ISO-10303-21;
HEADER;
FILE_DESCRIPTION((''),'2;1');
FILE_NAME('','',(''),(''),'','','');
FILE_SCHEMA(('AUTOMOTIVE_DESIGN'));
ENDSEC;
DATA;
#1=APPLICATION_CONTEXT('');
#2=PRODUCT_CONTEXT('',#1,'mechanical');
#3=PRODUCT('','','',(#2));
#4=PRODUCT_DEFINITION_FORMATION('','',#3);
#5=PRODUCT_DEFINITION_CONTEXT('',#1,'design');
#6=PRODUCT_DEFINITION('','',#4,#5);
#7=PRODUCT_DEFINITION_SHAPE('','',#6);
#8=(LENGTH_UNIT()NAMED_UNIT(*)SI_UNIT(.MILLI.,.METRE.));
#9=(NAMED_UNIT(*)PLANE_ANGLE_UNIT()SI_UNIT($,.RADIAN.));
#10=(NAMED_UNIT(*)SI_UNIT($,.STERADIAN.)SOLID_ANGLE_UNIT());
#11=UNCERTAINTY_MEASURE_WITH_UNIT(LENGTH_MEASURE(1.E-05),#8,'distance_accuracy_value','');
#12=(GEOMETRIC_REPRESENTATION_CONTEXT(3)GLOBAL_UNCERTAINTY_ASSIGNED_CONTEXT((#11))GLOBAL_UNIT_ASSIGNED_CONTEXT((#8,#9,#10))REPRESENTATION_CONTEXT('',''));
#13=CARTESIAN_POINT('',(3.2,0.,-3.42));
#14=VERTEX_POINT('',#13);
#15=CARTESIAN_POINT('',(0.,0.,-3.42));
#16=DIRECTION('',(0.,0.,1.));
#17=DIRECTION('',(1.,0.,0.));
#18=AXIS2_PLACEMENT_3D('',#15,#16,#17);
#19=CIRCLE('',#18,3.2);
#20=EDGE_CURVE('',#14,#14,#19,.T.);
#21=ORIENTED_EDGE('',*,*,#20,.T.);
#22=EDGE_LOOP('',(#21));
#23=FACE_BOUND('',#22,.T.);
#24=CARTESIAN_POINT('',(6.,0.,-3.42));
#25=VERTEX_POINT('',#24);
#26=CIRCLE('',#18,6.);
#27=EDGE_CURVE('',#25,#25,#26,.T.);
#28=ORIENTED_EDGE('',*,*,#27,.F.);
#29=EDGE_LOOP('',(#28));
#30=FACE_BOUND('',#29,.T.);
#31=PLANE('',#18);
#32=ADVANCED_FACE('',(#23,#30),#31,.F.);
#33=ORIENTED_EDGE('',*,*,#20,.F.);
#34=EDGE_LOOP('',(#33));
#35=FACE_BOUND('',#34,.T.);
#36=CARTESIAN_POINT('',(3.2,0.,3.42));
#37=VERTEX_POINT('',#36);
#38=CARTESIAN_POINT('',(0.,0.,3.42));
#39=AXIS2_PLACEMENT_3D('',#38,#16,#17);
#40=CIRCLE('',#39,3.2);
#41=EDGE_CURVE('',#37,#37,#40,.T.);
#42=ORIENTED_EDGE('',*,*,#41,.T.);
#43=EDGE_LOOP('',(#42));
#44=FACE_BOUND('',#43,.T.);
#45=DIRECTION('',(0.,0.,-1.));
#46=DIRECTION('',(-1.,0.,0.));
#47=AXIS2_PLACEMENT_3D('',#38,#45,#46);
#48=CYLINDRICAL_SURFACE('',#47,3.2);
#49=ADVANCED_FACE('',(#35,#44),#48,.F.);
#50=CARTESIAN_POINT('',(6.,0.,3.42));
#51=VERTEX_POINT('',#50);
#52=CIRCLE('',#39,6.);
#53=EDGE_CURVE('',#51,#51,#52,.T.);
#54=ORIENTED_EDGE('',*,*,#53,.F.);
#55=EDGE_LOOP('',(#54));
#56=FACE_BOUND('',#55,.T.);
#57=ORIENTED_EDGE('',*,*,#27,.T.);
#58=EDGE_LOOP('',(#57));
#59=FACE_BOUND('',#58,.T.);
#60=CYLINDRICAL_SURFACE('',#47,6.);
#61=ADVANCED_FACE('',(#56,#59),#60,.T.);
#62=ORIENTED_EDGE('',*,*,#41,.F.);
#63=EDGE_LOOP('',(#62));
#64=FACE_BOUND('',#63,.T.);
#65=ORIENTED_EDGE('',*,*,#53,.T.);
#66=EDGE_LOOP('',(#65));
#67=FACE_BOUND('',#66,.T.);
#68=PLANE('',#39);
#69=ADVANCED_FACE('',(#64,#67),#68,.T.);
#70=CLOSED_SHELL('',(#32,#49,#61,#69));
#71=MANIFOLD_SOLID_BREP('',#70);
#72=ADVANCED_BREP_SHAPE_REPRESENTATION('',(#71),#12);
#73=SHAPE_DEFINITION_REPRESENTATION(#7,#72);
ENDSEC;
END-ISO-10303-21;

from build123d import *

# Parameters (mm, degrees)
ESQUISSE1_R        = 6
ESQUISSE1_R_2      = 3.2
BOSS_EXTRU_1_DEPTH = 3.42


with BuildPart() as part:
    # Esquisse1 → Boss.-Extru.1 (new, symmetric)
    with BuildSketch(Plane.XY):
        Circle(ESQUISSE1_R)
        Circle(ESQUISSE1_R_2, mode=Mode.SUBTRACT)
    extrude(amount=BOSS_EXTRU_1_DEPTH, both=True)


solid = part.part
